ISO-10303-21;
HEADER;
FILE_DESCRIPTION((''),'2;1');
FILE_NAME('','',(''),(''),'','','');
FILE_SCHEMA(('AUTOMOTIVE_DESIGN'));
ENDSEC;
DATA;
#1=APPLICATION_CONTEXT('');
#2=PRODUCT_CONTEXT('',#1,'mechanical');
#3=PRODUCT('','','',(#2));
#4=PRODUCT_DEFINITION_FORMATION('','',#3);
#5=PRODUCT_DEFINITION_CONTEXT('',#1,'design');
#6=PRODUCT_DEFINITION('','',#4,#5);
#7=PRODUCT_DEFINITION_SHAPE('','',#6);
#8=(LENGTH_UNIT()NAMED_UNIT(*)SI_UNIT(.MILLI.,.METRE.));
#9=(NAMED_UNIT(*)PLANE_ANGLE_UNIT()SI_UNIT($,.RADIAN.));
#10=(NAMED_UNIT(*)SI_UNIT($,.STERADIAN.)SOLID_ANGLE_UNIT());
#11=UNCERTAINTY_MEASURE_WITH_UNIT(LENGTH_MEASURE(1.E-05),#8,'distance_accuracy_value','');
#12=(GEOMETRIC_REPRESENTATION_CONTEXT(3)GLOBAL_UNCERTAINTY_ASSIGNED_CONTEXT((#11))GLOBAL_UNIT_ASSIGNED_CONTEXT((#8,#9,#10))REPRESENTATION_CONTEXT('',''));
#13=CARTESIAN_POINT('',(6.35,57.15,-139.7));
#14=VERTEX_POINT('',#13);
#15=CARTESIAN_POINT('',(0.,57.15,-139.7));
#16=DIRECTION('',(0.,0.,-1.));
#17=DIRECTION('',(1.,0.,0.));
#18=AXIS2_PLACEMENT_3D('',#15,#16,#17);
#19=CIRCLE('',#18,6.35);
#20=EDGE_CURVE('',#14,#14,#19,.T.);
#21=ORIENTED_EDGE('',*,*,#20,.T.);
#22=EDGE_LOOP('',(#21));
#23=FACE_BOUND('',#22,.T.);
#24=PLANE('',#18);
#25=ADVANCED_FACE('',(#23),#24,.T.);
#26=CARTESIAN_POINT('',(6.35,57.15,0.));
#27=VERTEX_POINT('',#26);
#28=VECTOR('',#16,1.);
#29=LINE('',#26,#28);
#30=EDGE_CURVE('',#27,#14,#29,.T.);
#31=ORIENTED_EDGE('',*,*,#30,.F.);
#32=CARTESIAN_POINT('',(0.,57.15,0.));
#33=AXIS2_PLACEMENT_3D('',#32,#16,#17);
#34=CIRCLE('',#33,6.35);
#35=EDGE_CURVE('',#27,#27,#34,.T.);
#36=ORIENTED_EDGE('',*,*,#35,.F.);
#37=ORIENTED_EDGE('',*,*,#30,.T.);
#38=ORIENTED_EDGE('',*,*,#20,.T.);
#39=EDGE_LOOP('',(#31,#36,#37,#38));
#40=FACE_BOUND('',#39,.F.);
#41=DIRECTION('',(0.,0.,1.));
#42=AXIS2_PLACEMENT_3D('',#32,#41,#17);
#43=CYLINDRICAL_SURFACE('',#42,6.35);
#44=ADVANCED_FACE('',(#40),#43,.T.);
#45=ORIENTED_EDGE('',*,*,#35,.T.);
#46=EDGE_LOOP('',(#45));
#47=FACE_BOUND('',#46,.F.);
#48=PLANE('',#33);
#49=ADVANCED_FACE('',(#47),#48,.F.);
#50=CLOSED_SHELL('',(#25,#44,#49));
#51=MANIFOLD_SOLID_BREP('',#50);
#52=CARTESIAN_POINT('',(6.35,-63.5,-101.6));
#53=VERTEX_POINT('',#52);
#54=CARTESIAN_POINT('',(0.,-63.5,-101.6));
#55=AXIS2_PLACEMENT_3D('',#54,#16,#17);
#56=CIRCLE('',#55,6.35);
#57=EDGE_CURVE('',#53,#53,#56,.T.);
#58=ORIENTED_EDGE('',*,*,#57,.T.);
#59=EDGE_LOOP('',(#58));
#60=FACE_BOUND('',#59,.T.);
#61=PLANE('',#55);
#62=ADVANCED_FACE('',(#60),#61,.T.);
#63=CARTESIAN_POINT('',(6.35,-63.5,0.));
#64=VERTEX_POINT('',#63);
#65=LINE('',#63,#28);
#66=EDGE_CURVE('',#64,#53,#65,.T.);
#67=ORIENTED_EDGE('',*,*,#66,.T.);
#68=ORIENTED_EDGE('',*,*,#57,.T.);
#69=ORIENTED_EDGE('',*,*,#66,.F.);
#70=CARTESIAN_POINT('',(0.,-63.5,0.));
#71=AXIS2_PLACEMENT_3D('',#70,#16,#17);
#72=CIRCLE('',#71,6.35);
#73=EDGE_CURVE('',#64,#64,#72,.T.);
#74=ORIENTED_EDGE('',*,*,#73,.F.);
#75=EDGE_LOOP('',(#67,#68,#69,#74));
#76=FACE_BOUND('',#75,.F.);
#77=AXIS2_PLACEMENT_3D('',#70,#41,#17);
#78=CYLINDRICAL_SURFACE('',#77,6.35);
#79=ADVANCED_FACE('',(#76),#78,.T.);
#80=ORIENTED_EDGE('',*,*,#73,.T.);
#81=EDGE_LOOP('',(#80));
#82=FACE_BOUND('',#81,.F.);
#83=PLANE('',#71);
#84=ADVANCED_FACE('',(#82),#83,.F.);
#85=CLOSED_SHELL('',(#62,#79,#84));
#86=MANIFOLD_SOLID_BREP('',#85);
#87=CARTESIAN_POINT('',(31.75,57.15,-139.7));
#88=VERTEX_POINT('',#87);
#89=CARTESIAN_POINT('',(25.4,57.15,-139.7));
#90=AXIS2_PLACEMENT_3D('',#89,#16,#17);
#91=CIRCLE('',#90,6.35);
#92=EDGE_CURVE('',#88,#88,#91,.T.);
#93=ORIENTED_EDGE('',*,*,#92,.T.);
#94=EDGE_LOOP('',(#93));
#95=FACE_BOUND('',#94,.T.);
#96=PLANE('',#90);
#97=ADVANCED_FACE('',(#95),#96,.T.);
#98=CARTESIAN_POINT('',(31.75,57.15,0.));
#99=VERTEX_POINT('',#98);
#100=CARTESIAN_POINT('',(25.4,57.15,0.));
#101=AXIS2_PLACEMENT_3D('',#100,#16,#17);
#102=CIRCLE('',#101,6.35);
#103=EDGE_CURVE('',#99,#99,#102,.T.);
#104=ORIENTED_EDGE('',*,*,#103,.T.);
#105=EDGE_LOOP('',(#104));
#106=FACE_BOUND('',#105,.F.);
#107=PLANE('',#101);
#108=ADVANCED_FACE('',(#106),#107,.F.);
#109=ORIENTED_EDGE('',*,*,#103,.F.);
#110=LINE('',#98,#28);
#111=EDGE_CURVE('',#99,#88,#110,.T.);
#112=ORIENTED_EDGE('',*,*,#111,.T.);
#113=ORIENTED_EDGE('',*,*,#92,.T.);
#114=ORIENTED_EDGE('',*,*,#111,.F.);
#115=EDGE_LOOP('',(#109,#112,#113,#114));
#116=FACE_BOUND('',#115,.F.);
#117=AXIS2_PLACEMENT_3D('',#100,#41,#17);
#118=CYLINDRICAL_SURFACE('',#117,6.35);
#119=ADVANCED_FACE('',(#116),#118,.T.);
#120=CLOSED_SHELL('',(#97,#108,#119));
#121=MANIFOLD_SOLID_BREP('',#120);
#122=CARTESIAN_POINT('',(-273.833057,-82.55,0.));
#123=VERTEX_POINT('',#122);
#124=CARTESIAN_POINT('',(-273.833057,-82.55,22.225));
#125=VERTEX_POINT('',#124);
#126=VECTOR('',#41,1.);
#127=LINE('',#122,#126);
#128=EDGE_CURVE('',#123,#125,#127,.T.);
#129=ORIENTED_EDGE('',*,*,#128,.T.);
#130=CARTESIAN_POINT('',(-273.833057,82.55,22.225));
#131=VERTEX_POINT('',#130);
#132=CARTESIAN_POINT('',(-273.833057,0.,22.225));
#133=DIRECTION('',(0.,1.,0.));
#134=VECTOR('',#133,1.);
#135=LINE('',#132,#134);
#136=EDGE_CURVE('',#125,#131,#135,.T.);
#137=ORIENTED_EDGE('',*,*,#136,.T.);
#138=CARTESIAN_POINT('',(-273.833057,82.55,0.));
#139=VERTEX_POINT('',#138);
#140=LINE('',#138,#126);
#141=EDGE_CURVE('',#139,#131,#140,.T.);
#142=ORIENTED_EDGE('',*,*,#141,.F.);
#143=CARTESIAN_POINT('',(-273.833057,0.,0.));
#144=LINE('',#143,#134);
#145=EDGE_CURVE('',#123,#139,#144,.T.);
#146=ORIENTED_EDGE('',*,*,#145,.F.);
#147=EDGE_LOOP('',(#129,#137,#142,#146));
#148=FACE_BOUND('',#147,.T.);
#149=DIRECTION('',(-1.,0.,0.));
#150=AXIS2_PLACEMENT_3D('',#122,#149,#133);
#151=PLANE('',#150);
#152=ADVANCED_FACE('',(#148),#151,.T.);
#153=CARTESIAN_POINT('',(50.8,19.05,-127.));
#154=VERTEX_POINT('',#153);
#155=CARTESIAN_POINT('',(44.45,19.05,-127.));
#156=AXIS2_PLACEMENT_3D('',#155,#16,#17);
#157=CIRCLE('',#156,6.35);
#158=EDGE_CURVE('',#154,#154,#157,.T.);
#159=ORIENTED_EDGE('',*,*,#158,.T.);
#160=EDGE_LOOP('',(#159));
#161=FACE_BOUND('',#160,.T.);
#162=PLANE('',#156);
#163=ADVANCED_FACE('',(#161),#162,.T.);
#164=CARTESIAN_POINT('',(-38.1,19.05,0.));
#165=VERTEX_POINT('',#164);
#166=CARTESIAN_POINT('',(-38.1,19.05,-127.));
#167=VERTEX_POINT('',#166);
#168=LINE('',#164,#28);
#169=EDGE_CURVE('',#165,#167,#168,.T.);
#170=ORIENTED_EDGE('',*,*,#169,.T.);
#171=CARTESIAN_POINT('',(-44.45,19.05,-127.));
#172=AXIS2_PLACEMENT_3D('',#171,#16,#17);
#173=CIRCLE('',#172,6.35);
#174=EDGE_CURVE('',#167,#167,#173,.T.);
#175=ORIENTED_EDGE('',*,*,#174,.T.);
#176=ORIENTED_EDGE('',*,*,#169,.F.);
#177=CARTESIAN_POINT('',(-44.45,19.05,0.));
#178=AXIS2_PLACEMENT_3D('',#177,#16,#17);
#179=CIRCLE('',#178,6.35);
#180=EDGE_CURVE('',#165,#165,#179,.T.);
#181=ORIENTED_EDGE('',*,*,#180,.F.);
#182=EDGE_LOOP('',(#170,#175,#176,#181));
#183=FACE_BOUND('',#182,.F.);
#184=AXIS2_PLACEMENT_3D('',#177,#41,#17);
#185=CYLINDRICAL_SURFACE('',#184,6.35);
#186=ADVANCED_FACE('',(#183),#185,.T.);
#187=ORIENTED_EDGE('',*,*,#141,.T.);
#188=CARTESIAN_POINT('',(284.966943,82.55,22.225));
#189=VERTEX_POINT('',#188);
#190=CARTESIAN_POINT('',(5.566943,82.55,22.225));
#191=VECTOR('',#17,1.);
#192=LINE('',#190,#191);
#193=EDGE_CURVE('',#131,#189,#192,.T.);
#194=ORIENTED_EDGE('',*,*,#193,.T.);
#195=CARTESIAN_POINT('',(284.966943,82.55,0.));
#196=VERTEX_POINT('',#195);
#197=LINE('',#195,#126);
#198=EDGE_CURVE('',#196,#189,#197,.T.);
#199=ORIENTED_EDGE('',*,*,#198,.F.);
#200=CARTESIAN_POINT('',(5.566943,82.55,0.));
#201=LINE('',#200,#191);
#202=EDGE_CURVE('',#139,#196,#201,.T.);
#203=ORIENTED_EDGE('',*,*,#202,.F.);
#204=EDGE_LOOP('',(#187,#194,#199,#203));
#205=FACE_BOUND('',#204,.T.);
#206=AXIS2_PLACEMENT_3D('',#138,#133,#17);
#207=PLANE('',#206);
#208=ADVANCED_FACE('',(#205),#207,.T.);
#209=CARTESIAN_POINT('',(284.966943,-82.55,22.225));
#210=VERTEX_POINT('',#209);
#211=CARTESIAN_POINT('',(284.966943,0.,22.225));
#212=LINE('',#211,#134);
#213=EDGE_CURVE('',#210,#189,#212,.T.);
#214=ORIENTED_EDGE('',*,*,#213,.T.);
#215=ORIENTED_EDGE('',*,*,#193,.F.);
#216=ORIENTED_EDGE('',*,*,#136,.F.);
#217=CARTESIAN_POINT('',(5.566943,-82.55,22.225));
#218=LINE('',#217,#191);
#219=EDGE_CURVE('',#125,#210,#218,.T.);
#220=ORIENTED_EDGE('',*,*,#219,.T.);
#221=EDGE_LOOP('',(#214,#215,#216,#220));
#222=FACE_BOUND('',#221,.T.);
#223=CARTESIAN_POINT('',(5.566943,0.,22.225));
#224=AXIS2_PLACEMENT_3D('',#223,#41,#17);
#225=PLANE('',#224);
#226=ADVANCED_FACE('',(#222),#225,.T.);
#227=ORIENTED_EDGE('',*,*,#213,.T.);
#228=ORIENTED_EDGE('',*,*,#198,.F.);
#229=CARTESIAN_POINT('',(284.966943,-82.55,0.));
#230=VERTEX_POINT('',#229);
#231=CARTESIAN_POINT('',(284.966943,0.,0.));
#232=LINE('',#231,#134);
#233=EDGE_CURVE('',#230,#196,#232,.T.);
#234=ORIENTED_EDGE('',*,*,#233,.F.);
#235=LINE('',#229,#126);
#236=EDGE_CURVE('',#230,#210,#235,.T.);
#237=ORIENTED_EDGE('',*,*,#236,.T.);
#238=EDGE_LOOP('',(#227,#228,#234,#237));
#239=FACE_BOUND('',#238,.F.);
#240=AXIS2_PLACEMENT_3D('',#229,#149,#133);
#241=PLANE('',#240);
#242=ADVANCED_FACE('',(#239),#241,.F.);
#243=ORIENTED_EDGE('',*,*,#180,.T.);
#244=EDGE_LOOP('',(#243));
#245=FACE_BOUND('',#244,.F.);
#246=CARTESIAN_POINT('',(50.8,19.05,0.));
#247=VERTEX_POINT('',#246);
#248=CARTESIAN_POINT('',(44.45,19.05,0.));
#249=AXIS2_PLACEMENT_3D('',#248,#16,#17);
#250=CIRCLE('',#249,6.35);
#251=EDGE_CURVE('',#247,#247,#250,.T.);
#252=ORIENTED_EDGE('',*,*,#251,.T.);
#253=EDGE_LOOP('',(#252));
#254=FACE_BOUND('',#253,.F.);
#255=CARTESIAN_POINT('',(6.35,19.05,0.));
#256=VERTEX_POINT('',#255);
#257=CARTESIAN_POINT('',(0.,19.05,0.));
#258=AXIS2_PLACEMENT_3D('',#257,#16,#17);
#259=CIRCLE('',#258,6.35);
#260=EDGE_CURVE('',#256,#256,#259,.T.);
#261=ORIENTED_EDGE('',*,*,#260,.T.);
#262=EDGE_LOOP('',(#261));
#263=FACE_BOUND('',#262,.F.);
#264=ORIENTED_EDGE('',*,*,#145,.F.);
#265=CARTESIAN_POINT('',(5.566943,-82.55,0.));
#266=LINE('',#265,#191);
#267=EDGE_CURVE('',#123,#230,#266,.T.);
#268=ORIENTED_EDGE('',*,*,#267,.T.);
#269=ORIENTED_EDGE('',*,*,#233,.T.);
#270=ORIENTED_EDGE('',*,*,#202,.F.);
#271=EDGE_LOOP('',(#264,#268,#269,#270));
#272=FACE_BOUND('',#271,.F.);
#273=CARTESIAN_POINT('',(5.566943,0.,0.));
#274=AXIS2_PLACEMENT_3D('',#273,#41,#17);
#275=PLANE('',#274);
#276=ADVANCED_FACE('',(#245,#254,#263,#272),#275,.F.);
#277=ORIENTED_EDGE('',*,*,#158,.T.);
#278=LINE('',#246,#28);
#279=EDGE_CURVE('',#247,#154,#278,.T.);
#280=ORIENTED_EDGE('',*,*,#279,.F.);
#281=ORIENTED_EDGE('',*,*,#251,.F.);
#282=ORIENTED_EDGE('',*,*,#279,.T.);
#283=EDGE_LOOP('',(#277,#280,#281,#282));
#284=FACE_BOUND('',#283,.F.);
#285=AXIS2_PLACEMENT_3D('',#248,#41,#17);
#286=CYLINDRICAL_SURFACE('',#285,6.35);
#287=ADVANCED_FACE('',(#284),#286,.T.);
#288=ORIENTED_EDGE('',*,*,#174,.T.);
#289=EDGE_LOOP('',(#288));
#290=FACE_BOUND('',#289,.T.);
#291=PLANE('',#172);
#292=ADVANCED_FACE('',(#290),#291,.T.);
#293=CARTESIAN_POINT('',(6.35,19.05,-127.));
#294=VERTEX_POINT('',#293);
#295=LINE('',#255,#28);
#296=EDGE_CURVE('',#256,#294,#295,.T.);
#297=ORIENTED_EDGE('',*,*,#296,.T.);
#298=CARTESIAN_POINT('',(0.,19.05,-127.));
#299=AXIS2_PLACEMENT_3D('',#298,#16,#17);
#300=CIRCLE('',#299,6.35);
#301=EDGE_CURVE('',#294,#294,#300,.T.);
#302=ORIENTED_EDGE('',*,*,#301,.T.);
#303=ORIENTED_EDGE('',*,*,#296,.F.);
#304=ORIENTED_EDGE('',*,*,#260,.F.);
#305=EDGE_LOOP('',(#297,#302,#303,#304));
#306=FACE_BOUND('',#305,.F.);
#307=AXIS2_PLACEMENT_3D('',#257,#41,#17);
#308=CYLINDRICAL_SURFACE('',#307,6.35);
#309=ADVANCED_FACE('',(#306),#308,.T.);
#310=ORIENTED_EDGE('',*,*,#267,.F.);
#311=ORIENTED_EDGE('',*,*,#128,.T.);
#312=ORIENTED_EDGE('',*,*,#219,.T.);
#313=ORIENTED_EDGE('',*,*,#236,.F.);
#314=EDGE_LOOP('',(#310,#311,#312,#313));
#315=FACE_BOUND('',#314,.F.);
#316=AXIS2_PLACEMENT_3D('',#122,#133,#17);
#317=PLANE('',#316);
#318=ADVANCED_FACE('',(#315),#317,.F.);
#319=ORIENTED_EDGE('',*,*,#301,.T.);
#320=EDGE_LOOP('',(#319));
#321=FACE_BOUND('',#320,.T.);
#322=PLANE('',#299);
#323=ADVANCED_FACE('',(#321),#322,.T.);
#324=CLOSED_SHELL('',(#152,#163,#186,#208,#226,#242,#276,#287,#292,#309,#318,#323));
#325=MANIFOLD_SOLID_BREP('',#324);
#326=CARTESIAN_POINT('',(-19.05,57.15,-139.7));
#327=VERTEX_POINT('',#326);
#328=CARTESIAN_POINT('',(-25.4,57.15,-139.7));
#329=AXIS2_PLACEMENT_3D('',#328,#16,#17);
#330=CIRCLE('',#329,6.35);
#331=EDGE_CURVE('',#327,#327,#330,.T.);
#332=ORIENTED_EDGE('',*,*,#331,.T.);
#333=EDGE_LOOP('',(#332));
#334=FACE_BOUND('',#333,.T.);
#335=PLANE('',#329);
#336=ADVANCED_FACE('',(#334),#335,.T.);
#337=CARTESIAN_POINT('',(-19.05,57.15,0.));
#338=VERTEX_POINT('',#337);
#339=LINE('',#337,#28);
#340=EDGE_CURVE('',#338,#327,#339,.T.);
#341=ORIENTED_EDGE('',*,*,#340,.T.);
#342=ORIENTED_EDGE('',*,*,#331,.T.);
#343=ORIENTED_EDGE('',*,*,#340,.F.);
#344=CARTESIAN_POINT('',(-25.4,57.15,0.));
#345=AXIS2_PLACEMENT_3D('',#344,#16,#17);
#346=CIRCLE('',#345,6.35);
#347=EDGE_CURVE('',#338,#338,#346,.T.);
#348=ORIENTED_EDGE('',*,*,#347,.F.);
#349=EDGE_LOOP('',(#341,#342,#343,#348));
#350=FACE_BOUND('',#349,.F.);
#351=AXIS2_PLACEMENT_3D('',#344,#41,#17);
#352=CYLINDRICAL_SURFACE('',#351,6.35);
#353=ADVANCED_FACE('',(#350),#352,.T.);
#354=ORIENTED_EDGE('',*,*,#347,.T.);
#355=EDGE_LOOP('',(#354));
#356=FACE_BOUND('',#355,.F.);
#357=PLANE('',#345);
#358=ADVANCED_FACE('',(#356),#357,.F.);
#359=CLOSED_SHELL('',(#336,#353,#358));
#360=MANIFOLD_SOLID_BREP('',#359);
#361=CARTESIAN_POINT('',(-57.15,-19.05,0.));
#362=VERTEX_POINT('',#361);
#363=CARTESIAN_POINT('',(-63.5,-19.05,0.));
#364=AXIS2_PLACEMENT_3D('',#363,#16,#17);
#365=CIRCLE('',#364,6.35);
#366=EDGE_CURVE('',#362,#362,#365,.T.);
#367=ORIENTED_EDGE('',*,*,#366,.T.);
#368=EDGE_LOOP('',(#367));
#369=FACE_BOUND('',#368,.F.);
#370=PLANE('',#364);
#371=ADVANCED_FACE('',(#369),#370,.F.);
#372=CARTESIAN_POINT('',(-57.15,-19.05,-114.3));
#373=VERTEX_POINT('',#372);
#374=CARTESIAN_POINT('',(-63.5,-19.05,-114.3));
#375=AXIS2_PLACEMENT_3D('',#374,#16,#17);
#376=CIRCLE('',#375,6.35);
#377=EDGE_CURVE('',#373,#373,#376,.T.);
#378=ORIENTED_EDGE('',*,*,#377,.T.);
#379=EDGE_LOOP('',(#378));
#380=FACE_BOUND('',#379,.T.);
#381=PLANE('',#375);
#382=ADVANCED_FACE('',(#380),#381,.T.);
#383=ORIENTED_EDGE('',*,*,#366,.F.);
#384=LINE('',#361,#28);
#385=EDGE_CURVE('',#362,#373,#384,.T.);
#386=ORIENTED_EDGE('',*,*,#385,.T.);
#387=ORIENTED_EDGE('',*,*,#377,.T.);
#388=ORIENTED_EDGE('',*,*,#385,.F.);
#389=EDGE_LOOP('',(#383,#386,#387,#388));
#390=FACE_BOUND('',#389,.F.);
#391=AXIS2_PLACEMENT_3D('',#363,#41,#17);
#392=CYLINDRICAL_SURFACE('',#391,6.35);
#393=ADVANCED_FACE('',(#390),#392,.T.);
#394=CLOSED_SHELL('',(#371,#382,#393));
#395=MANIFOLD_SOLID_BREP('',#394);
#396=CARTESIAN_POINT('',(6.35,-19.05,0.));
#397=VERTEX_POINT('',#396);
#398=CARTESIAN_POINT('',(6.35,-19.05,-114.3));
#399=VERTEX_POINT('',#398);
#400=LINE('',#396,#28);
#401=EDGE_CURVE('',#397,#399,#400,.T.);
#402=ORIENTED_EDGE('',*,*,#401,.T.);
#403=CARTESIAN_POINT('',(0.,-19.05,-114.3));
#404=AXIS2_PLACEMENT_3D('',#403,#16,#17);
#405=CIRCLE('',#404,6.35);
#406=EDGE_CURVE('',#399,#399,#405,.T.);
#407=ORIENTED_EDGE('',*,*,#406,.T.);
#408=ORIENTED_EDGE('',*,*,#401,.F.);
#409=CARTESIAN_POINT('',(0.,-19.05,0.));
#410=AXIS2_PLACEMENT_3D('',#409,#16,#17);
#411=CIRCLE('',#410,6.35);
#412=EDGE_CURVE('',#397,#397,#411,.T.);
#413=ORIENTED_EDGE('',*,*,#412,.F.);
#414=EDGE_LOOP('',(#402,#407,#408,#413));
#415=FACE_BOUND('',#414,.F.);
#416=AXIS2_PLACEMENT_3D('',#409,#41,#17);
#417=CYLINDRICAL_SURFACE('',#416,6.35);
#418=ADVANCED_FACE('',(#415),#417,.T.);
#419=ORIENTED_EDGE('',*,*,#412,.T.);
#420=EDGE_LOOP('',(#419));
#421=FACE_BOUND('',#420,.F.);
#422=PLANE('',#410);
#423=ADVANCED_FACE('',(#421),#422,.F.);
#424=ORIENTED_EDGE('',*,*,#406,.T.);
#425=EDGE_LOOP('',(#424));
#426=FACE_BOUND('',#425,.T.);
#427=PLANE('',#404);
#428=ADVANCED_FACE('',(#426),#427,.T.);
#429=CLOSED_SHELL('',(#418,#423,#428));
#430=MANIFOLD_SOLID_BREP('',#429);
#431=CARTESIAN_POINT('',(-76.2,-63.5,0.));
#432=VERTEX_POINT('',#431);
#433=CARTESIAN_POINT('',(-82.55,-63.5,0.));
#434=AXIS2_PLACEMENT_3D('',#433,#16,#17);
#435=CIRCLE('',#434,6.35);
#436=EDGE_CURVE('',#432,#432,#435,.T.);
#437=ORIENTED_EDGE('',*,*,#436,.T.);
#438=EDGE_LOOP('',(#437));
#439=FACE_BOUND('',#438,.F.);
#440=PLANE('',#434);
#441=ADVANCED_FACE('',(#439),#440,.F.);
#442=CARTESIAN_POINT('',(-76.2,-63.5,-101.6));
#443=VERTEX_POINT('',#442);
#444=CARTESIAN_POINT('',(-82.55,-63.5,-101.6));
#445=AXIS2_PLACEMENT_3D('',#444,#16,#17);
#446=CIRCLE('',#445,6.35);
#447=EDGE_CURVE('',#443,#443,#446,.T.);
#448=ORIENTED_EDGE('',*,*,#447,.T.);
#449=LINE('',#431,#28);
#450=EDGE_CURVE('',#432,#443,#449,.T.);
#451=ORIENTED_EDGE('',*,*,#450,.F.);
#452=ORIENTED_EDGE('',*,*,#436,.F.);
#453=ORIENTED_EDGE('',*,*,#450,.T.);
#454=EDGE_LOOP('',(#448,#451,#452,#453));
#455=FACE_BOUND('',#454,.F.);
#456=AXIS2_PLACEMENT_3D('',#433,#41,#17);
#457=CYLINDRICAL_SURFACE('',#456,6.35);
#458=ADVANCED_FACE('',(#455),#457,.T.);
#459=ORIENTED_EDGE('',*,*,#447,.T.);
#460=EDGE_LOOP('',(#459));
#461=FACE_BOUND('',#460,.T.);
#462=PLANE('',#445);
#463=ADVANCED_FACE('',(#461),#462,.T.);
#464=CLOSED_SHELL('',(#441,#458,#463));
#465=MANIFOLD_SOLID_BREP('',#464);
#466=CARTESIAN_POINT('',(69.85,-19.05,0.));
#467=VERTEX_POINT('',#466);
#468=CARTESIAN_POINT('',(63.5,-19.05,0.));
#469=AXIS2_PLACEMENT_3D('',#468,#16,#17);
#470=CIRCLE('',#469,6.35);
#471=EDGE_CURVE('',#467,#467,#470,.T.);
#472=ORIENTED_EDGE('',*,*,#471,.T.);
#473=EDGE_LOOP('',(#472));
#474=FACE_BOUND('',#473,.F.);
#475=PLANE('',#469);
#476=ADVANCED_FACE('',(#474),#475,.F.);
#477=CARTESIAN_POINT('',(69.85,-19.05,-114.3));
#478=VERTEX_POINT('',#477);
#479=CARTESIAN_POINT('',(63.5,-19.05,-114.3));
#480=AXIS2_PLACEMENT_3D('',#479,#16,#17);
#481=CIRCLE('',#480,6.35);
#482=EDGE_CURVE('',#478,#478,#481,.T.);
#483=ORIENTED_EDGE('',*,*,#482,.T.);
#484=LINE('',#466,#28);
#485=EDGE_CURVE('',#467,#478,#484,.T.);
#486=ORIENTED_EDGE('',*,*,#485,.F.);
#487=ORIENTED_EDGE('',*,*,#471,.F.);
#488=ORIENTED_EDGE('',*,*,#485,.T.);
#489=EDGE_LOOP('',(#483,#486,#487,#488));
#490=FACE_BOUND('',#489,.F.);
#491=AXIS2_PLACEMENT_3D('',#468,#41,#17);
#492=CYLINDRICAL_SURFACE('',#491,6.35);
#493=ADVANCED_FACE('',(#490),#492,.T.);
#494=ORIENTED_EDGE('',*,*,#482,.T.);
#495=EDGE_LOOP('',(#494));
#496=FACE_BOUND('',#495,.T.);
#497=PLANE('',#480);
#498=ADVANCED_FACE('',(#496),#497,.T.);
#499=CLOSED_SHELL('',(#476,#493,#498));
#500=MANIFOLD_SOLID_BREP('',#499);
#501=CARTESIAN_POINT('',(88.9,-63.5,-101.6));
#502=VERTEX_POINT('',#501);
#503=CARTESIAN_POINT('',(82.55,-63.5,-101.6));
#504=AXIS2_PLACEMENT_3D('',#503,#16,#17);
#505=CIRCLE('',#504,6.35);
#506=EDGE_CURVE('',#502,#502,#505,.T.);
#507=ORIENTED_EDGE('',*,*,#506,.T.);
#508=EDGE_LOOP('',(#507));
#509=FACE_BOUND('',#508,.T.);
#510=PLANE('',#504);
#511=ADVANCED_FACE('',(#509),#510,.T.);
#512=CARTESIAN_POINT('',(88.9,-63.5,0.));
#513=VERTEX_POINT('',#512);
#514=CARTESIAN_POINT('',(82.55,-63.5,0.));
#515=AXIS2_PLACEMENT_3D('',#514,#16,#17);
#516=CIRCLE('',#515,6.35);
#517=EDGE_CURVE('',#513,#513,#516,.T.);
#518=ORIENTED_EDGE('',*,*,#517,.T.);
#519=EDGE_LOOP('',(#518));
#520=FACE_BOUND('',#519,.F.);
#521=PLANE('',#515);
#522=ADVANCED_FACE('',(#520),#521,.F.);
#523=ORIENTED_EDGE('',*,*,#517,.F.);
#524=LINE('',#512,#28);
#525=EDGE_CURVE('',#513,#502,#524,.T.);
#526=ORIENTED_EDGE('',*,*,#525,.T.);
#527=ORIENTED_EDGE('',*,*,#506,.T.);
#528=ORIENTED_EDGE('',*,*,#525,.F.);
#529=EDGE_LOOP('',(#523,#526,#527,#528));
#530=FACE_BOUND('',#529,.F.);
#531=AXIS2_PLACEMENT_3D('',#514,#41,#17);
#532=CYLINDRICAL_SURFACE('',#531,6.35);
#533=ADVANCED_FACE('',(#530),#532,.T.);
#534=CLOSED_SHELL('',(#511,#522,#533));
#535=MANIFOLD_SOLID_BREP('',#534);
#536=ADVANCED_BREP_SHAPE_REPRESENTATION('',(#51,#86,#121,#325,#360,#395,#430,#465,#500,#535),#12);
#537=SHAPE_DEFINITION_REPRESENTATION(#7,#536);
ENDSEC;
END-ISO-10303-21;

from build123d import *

# Parameters (mm, degrees)
F0_W     = 558.8
F0_H     = 165.1
F1_DEPTH = 22.225
F2_R     = 6.35
F3_DEPTH = 101.6
F4_DEPTH = 114.3
F5_DEPTH = 127
F6_DEPTH = 139.7


with BuildPart() as f1:
    # F0 (on Top) → F1 (new body)
    with BuildSketch(Plane.XY):
        with Locations((5.566943, 0)):
            Rectangle(F0_W, F0_H)
    extrude(amount=F1_DEPTH)

    # F2 (on face) → F5 (join)
    with BuildSketch(Plane(origin=(0, 0, 0), x_dir=(1, 0, 0), z_dir=(0, 0, -1))):
        with Locations((-44.45, -19.05)):
            Circle(F2_R)
        with Locations((0, -19.05)):
            Circle(F2_R)
        with Locations((44.45, -19.05)):
            Circle(F2_R)
    extrude(amount=F5_DEPTH)


with BuildPart() as f3:
    # F2 (on face) → F3 (new body)
    with BuildSketch(Plane(origin=(0, 0, 0), x_dir=(1, 0, 0), z_dir=(0, 0, -1))):
        with Locations((-82.55, 63.5)):
            Circle(F2_R)
        with Locations((0, 63.5)):
            Circle(F2_R)
        with Locations((82.55, 63.5)):
            Circle(F2_R)
    extrude(amount=F3_DEPTH)


with BuildPart() as f4:
    # F2 (on face) → F4 (new body)
    with BuildSketch(Plane(origin=(0, 0, 0), x_dir=(1, 0, 0), z_dir=(0, 0, -1))):
        with Locations((-63.5, 19.05)):
            Circle(F2_R)
        with Locations((63.5, 19.05)):
            Circle(F2_R)
        with Locations((0, 19.05)):
            Circle(F2_R)
    extrude(amount=F4_DEPTH)


with BuildPart() as f6:
    # F2 (on face) → F6 (new body)
    with BuildSketch(Plane(origin=(0, 0, 0), x_dir=(1, 0, 0), z_dir=(0, 0, -1))):
        with Locations((25.4, -57.15)):
            Circle(F2_R)
        with Locations((0, -57.15)):
            Circle(F2_R)
        with Locations((-25.4, -57.15)):
            Circle(F2_R)
    extrude(amount=F6_DEPTH)


solid = Compound([f1.part, f3.part, f4.part, f6.part])
